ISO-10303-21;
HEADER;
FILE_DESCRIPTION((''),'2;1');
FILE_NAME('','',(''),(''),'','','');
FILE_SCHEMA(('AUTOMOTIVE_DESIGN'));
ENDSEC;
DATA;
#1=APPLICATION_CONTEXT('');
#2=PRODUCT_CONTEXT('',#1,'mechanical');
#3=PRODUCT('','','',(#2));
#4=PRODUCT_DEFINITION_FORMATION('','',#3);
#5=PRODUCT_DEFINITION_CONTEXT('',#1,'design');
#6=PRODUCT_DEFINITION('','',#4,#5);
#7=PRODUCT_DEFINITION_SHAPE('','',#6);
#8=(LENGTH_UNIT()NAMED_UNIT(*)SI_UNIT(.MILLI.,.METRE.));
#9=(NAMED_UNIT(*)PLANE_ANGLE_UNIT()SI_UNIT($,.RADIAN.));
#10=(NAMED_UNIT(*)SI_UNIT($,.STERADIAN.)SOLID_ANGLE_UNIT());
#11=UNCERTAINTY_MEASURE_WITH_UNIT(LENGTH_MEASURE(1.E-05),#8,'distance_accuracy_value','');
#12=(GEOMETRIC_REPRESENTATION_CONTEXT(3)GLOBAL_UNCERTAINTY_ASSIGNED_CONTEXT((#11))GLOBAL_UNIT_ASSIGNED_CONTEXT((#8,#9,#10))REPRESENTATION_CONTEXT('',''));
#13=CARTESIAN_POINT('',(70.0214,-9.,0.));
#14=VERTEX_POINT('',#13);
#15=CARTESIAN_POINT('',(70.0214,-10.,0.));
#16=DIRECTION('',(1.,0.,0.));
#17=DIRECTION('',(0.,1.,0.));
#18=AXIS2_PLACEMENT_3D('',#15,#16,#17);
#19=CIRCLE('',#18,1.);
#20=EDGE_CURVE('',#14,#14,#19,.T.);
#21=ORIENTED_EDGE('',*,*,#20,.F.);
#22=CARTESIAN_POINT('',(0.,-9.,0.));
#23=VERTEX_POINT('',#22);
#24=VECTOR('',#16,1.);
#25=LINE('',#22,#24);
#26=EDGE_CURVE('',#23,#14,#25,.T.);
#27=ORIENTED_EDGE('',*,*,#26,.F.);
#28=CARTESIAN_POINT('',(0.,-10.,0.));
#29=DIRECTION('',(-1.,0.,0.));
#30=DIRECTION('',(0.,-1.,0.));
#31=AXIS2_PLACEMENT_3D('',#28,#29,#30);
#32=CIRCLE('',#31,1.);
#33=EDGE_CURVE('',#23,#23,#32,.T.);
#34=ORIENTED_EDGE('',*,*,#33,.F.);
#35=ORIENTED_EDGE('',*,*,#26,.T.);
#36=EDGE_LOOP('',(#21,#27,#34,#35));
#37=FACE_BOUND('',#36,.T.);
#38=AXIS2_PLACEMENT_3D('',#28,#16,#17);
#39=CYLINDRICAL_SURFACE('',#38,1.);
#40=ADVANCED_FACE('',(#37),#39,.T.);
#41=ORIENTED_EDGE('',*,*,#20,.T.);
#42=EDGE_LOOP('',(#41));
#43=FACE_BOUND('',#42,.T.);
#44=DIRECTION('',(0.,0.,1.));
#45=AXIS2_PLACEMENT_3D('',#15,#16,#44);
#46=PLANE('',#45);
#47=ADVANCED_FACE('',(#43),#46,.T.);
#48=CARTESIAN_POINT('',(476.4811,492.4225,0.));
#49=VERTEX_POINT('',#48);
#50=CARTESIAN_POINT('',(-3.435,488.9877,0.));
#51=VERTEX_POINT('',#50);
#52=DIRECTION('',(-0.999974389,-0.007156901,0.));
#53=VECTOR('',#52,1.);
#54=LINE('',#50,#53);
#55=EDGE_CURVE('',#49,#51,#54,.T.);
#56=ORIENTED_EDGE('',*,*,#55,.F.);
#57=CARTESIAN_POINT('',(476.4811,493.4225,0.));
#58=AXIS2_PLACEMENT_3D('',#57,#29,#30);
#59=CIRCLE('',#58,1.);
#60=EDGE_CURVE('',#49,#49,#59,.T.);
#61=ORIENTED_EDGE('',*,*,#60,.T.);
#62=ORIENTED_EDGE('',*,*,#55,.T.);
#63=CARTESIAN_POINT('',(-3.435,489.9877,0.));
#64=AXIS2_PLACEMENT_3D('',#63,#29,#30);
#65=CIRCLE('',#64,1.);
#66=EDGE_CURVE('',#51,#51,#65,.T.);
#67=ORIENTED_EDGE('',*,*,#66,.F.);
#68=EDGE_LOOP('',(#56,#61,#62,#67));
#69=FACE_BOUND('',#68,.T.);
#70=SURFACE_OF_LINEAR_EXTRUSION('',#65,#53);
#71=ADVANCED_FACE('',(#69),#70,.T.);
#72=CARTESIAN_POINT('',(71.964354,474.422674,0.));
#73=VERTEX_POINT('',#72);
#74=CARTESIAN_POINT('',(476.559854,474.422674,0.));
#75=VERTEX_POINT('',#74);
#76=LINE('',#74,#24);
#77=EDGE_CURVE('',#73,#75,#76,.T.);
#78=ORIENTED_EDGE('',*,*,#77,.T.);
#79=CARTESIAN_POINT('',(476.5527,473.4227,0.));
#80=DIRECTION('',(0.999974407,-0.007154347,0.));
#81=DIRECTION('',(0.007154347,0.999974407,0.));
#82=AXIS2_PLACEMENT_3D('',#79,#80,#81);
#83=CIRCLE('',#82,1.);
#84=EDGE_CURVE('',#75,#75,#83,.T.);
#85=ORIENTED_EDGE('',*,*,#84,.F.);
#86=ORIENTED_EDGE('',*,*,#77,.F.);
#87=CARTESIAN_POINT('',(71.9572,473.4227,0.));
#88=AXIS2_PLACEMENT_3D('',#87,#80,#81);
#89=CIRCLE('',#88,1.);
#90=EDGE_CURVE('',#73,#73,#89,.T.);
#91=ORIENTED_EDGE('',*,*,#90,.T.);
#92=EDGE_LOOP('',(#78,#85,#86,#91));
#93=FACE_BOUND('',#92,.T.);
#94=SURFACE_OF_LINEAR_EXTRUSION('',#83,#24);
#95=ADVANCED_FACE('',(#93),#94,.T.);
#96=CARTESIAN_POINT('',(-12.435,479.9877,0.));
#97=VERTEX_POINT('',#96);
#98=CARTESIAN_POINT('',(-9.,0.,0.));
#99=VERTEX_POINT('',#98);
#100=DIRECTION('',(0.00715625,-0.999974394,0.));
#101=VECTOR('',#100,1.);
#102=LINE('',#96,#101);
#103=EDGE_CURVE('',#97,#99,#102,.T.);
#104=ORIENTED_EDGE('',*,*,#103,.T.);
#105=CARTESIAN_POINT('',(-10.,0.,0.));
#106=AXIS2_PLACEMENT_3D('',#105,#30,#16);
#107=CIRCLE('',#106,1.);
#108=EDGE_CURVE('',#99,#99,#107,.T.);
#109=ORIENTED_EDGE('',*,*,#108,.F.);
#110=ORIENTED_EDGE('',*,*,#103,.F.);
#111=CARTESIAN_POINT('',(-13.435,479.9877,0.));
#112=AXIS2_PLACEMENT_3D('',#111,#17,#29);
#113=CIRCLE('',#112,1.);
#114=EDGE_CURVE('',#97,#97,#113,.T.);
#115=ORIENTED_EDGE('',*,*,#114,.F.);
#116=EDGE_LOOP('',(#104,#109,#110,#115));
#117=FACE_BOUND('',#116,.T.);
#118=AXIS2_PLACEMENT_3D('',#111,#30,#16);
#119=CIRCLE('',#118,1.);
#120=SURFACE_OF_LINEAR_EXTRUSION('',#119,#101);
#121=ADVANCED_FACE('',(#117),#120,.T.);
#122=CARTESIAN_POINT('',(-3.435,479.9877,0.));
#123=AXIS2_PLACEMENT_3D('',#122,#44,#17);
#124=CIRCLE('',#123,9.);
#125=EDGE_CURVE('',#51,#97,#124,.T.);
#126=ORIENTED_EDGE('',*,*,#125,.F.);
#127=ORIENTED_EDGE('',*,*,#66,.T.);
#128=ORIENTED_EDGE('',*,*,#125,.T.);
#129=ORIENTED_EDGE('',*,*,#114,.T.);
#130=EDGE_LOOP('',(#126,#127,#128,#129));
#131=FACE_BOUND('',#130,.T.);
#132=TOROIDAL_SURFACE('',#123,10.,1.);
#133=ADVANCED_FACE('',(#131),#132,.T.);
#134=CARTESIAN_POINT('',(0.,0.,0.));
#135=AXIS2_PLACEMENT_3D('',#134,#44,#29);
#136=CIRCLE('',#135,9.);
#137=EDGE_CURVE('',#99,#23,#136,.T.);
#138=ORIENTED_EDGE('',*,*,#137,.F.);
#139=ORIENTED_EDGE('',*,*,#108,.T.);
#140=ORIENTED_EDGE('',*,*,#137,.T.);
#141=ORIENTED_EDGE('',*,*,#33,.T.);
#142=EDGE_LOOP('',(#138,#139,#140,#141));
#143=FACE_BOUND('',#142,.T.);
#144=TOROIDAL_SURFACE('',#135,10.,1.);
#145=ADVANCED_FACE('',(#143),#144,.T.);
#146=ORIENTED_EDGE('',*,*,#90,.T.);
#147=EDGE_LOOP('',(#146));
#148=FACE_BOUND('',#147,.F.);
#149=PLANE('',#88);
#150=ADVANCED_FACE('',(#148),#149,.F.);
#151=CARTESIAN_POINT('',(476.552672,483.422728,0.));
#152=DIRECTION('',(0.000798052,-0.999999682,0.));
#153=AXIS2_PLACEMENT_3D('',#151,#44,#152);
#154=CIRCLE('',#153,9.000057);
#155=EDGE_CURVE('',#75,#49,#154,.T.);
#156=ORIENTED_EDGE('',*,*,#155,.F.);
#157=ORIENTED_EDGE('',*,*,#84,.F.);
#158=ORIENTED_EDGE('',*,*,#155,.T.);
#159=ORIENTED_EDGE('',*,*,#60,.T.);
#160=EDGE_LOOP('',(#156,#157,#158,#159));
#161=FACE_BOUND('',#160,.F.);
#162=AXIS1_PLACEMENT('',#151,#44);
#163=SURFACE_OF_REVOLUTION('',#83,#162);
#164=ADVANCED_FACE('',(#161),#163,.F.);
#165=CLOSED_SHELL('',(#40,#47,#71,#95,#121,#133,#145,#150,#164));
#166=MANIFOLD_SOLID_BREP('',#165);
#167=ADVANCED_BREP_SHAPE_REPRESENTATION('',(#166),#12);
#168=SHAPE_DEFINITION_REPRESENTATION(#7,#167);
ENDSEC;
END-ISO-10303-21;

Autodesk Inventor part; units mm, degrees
ref_plane "YZ Plane" through (0, 0, 0) normal (1, 0, 0) x (0, 1, 0)
ref_plane "XZ Plane" through (0, 0, 0) normal (0, 1, 0) x (-1, 0, 0)
ref_plane "XY Plane" through (0, 0, 0) normal (0, 0, 1) x (1, 0, 0)
ref_plane "Arbeitsebene1" through (0, 0, 0) normal (0, 0, 1) x (1, 0, 0)
sketch "Skizze1" plane through (0, 0, 0) normal (0, 0, 1) x (1, 0, 0)
  circle A0 centre (0, 0) radius 10 projected
  arc A1 (-10, 0) -> (0, -10) centre (0, 0) ccw
  line L0 (0, -10) -> (70.0214, -10)
  circle A2 centre (-3.435, 479.9877) radius 10 projected
  arc A3 (-3.435, 489.9877) -> (-13.435, 479.9877) centre (-3.435, 479.9877) ccw
  line L1 (-13.435, 479.9877) -> (-10, 0)
  circle A4 centre (476.5527, 483.4227) radius 10 projected
  line L2 (-3.435, 489.9877) -> (476.4811, 493.4225)
  arc A5 (476.5527, 473.4227) -> (476.4811, 493.4225) centre (476.5527, 483.4227) ccw
  line L3 (476.5527, 473.4227) -> (71.9572, 473.4227)
  point P0 (0, 0)
ref_plane "Arbeitsebene2" through (70.0214, -10, 0) normal (1, 0, 0) x (0, 1, 0)
sketch "Skizze2" plane through (70.0214, -10, 0) normal (1, 0, 0) x (0, 1, 0)
  circle A0 centre (0, 0) radius 1
  point P0 (10, 0)
  dimension "d0" = 2
sweep "Sweeping1" add profiles "Skizze2" path "Skizze1" path curves L0 A1 L1 A3 L2 A5 L3
properties part number "Seil2"
